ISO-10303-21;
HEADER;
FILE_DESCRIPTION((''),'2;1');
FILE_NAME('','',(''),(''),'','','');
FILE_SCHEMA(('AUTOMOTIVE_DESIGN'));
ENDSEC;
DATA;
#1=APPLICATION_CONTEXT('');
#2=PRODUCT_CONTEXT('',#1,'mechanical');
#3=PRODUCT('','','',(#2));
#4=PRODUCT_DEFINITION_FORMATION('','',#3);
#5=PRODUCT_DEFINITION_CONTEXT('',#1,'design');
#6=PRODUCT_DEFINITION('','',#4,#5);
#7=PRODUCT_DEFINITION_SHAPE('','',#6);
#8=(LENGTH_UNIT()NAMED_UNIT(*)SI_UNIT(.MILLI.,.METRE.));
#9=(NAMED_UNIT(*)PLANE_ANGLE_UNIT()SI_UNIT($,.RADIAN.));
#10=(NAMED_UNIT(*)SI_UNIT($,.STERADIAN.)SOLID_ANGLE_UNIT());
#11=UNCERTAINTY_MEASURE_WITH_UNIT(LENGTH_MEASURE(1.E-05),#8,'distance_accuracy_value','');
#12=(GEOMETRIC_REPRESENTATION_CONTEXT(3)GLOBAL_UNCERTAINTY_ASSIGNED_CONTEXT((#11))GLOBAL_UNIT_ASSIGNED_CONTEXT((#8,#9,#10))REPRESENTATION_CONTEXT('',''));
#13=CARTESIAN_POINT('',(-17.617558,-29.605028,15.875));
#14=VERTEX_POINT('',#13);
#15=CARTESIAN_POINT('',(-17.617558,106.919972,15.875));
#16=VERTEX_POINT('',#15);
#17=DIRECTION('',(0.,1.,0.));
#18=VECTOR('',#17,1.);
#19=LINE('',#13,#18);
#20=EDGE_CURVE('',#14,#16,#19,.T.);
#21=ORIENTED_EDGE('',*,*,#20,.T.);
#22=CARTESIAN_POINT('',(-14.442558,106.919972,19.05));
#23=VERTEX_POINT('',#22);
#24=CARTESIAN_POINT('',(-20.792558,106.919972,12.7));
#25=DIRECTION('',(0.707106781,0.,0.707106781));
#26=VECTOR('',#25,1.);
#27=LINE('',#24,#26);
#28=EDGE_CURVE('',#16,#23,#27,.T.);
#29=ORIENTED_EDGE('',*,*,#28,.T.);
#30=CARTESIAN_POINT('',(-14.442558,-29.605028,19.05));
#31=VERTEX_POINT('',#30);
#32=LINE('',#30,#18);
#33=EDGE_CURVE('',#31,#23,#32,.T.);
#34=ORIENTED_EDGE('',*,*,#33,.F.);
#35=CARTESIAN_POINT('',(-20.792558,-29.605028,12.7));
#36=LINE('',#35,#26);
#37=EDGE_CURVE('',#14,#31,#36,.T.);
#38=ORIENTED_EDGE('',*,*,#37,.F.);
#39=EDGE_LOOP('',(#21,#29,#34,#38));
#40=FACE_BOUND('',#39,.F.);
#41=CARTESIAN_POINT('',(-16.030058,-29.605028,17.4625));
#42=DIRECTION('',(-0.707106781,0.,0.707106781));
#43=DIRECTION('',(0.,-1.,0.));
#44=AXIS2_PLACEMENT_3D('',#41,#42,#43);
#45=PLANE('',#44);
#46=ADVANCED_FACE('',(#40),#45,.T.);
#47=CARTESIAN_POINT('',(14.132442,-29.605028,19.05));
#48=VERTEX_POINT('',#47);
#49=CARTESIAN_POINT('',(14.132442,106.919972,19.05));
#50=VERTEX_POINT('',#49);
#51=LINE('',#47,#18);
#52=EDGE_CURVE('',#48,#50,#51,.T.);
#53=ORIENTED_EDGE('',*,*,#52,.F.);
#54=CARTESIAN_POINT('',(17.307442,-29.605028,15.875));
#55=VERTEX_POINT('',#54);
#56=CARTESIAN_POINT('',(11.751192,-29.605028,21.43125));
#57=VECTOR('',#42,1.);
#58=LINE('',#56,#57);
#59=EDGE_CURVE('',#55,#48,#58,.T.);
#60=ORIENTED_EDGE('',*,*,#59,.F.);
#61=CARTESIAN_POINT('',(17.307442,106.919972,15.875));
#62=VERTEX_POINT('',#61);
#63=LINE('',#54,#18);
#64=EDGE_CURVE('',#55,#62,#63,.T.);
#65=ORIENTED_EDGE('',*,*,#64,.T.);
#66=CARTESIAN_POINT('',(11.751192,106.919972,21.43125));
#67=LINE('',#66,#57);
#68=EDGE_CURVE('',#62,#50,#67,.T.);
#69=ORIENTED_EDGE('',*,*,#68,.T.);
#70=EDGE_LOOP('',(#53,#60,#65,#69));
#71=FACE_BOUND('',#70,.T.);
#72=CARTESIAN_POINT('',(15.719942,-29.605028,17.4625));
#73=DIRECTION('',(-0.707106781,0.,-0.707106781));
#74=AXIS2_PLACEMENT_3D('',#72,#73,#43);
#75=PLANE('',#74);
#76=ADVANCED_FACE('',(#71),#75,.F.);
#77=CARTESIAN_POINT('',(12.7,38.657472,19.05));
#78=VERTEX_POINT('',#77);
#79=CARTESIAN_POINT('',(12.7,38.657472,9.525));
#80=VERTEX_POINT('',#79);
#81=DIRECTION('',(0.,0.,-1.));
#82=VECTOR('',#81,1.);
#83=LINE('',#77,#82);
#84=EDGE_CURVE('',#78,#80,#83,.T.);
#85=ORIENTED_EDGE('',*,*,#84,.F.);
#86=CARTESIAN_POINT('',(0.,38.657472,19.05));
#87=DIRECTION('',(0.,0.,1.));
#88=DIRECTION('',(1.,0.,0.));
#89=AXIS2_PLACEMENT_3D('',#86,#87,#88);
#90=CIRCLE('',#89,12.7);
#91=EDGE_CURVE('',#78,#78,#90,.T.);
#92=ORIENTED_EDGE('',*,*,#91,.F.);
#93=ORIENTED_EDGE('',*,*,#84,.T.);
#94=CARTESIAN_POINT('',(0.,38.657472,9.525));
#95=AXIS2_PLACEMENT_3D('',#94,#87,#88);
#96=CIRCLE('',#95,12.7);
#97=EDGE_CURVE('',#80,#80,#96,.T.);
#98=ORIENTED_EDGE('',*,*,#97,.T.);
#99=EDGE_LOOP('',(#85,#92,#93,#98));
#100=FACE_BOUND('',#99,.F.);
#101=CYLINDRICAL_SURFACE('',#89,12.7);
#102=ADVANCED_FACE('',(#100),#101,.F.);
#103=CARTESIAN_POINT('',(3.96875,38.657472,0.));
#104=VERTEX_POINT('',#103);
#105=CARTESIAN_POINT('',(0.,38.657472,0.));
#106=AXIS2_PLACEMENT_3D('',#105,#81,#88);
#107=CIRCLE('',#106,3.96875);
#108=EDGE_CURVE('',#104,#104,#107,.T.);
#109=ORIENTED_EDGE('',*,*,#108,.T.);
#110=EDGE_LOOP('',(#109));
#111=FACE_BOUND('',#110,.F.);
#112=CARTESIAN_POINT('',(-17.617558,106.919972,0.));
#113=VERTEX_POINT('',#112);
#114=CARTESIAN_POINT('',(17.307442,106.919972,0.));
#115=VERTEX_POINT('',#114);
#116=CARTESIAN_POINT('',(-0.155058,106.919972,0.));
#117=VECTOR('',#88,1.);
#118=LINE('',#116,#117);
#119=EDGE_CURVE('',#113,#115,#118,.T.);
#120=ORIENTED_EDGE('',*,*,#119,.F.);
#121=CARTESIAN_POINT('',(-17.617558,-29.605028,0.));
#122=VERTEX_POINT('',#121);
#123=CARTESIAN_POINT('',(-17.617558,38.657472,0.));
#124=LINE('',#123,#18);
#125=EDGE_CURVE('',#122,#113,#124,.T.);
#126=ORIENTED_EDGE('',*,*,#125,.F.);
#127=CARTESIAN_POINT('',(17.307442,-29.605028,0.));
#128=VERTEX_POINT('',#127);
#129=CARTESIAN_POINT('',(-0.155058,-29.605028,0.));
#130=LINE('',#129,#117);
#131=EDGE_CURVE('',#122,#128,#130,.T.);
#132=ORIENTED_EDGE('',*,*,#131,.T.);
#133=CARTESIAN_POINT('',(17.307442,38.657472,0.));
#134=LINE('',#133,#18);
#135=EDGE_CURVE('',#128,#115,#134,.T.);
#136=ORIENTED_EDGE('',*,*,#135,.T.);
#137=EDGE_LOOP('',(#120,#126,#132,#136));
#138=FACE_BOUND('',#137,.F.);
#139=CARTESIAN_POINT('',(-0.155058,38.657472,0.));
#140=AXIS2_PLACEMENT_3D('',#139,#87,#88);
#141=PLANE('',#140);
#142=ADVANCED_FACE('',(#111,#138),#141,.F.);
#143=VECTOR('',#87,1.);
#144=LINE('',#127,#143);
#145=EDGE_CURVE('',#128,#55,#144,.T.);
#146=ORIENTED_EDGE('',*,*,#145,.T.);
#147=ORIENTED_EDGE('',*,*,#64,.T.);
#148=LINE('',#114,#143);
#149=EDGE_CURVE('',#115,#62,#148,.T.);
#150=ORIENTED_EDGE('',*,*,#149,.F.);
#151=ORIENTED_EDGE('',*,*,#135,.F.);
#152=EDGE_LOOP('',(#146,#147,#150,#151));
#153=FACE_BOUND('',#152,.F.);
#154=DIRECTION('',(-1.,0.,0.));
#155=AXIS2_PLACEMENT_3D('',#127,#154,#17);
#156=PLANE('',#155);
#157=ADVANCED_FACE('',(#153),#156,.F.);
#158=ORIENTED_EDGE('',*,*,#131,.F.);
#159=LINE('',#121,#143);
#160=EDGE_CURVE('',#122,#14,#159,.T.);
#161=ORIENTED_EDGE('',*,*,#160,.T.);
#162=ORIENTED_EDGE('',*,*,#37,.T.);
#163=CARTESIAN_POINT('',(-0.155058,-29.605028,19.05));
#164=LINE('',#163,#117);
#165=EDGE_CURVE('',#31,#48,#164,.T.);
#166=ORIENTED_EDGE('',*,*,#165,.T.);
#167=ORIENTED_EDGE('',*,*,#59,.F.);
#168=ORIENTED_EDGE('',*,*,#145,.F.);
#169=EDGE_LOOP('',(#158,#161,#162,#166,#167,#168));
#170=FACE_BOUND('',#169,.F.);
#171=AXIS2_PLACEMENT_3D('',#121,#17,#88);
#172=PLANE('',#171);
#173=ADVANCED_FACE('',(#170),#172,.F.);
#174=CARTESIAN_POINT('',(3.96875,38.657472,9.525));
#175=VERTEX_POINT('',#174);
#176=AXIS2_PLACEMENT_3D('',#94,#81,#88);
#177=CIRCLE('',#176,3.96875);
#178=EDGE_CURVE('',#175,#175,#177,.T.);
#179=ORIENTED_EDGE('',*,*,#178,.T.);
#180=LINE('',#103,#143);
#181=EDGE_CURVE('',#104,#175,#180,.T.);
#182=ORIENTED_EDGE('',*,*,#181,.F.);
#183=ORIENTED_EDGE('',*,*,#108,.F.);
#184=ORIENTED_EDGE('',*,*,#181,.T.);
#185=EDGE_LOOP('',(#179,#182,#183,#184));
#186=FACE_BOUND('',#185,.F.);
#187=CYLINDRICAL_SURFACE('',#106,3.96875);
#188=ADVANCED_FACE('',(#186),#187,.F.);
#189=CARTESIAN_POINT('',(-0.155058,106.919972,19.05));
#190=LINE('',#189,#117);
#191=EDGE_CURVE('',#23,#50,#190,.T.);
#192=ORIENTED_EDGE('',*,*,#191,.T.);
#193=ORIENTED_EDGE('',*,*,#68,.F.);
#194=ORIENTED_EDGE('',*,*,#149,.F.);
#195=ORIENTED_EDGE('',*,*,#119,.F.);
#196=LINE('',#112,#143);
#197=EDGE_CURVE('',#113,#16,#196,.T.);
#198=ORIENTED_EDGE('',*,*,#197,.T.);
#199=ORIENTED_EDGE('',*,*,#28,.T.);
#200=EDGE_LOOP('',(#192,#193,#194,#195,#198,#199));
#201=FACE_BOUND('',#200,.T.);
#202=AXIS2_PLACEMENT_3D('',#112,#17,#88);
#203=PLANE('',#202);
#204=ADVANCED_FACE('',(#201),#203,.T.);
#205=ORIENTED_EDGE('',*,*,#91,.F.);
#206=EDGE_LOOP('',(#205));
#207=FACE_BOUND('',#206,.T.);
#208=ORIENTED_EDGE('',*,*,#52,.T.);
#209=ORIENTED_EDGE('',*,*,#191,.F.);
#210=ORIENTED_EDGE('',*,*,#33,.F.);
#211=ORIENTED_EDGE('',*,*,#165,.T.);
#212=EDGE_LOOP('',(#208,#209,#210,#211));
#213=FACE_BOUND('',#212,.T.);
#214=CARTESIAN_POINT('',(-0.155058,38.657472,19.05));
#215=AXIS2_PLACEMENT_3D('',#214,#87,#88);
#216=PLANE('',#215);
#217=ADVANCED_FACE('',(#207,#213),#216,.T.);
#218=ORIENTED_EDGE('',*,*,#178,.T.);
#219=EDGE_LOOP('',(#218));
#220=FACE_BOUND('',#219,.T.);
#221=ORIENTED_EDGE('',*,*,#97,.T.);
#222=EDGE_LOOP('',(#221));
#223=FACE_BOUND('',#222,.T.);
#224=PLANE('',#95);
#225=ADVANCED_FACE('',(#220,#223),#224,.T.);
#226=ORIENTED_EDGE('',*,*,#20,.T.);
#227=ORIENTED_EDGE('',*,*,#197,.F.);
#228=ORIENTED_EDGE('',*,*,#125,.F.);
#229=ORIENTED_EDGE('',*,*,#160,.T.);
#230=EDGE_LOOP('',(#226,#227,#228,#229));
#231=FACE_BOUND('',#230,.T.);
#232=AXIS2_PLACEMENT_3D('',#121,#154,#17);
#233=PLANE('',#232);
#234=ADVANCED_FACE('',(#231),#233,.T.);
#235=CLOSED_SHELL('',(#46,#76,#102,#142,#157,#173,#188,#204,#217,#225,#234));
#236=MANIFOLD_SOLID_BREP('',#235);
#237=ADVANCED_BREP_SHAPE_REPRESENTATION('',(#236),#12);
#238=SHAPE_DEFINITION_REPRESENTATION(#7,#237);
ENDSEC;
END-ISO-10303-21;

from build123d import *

# Parameters (mm, degrees)
F0_W     = 34.925
F0_H     = 136.525
F1_DEPTH = 19.05
F2_SIZE  = 3.175
F3_R     = 12.7
F4_DEPTH = 9.525
F5_R     = 3.96875
F6_DEPTH = 19.051
F7_DEPTH = 9.525


with BuildPart() as f1:
    # F0 (on Top) → F1 (new body)
    with BuildSketch(Plane.XY):
        with Locations((-0.155058, 38.657472)):
            Rectangle(F0_W, F0_H)
    extrude(amount=F1_DEPTH)

    # F2
    f2_edges = [f1.edges().sort_by_distance(p)[0] for p in [
        (17.307442, 38.657472, 19.05),
        (-17.617558, 38.657472, 19.05),
    ]]
    chamfer(f2_edges, length=F2_SIZE)

    # F3 (on face) → F4 (join)
    with BuildSketch(Plane.XY.offset(19.05)):
        with Locations((0, 38.657472)):
            Circle(F3_R)
    extrude(amount=-F4_DEPTH)

    # F5 (on face) → F6 (cut, through all)
    with BuildSketch(Plane(origin=(0, 0, 0), x_dir=(1, 0, 0), z_dir=(0, 0, -1))):
        with Locations((0, -38.657472)):
            Circle(F5_R)
    extrude(amount=-F6_DEPTH, mode=Mode.SUBTRACT)

    # F3 (on face) → F7 (cut)
    with BuildSketch(Plane.XY.offset(19.05)):
        with Locations((0, 38.657472)):
            Circle(F3_R)
    extrude(amount=-F7_DEPTH, mode=Mode.SUBTRACT)


solid = f1.part
